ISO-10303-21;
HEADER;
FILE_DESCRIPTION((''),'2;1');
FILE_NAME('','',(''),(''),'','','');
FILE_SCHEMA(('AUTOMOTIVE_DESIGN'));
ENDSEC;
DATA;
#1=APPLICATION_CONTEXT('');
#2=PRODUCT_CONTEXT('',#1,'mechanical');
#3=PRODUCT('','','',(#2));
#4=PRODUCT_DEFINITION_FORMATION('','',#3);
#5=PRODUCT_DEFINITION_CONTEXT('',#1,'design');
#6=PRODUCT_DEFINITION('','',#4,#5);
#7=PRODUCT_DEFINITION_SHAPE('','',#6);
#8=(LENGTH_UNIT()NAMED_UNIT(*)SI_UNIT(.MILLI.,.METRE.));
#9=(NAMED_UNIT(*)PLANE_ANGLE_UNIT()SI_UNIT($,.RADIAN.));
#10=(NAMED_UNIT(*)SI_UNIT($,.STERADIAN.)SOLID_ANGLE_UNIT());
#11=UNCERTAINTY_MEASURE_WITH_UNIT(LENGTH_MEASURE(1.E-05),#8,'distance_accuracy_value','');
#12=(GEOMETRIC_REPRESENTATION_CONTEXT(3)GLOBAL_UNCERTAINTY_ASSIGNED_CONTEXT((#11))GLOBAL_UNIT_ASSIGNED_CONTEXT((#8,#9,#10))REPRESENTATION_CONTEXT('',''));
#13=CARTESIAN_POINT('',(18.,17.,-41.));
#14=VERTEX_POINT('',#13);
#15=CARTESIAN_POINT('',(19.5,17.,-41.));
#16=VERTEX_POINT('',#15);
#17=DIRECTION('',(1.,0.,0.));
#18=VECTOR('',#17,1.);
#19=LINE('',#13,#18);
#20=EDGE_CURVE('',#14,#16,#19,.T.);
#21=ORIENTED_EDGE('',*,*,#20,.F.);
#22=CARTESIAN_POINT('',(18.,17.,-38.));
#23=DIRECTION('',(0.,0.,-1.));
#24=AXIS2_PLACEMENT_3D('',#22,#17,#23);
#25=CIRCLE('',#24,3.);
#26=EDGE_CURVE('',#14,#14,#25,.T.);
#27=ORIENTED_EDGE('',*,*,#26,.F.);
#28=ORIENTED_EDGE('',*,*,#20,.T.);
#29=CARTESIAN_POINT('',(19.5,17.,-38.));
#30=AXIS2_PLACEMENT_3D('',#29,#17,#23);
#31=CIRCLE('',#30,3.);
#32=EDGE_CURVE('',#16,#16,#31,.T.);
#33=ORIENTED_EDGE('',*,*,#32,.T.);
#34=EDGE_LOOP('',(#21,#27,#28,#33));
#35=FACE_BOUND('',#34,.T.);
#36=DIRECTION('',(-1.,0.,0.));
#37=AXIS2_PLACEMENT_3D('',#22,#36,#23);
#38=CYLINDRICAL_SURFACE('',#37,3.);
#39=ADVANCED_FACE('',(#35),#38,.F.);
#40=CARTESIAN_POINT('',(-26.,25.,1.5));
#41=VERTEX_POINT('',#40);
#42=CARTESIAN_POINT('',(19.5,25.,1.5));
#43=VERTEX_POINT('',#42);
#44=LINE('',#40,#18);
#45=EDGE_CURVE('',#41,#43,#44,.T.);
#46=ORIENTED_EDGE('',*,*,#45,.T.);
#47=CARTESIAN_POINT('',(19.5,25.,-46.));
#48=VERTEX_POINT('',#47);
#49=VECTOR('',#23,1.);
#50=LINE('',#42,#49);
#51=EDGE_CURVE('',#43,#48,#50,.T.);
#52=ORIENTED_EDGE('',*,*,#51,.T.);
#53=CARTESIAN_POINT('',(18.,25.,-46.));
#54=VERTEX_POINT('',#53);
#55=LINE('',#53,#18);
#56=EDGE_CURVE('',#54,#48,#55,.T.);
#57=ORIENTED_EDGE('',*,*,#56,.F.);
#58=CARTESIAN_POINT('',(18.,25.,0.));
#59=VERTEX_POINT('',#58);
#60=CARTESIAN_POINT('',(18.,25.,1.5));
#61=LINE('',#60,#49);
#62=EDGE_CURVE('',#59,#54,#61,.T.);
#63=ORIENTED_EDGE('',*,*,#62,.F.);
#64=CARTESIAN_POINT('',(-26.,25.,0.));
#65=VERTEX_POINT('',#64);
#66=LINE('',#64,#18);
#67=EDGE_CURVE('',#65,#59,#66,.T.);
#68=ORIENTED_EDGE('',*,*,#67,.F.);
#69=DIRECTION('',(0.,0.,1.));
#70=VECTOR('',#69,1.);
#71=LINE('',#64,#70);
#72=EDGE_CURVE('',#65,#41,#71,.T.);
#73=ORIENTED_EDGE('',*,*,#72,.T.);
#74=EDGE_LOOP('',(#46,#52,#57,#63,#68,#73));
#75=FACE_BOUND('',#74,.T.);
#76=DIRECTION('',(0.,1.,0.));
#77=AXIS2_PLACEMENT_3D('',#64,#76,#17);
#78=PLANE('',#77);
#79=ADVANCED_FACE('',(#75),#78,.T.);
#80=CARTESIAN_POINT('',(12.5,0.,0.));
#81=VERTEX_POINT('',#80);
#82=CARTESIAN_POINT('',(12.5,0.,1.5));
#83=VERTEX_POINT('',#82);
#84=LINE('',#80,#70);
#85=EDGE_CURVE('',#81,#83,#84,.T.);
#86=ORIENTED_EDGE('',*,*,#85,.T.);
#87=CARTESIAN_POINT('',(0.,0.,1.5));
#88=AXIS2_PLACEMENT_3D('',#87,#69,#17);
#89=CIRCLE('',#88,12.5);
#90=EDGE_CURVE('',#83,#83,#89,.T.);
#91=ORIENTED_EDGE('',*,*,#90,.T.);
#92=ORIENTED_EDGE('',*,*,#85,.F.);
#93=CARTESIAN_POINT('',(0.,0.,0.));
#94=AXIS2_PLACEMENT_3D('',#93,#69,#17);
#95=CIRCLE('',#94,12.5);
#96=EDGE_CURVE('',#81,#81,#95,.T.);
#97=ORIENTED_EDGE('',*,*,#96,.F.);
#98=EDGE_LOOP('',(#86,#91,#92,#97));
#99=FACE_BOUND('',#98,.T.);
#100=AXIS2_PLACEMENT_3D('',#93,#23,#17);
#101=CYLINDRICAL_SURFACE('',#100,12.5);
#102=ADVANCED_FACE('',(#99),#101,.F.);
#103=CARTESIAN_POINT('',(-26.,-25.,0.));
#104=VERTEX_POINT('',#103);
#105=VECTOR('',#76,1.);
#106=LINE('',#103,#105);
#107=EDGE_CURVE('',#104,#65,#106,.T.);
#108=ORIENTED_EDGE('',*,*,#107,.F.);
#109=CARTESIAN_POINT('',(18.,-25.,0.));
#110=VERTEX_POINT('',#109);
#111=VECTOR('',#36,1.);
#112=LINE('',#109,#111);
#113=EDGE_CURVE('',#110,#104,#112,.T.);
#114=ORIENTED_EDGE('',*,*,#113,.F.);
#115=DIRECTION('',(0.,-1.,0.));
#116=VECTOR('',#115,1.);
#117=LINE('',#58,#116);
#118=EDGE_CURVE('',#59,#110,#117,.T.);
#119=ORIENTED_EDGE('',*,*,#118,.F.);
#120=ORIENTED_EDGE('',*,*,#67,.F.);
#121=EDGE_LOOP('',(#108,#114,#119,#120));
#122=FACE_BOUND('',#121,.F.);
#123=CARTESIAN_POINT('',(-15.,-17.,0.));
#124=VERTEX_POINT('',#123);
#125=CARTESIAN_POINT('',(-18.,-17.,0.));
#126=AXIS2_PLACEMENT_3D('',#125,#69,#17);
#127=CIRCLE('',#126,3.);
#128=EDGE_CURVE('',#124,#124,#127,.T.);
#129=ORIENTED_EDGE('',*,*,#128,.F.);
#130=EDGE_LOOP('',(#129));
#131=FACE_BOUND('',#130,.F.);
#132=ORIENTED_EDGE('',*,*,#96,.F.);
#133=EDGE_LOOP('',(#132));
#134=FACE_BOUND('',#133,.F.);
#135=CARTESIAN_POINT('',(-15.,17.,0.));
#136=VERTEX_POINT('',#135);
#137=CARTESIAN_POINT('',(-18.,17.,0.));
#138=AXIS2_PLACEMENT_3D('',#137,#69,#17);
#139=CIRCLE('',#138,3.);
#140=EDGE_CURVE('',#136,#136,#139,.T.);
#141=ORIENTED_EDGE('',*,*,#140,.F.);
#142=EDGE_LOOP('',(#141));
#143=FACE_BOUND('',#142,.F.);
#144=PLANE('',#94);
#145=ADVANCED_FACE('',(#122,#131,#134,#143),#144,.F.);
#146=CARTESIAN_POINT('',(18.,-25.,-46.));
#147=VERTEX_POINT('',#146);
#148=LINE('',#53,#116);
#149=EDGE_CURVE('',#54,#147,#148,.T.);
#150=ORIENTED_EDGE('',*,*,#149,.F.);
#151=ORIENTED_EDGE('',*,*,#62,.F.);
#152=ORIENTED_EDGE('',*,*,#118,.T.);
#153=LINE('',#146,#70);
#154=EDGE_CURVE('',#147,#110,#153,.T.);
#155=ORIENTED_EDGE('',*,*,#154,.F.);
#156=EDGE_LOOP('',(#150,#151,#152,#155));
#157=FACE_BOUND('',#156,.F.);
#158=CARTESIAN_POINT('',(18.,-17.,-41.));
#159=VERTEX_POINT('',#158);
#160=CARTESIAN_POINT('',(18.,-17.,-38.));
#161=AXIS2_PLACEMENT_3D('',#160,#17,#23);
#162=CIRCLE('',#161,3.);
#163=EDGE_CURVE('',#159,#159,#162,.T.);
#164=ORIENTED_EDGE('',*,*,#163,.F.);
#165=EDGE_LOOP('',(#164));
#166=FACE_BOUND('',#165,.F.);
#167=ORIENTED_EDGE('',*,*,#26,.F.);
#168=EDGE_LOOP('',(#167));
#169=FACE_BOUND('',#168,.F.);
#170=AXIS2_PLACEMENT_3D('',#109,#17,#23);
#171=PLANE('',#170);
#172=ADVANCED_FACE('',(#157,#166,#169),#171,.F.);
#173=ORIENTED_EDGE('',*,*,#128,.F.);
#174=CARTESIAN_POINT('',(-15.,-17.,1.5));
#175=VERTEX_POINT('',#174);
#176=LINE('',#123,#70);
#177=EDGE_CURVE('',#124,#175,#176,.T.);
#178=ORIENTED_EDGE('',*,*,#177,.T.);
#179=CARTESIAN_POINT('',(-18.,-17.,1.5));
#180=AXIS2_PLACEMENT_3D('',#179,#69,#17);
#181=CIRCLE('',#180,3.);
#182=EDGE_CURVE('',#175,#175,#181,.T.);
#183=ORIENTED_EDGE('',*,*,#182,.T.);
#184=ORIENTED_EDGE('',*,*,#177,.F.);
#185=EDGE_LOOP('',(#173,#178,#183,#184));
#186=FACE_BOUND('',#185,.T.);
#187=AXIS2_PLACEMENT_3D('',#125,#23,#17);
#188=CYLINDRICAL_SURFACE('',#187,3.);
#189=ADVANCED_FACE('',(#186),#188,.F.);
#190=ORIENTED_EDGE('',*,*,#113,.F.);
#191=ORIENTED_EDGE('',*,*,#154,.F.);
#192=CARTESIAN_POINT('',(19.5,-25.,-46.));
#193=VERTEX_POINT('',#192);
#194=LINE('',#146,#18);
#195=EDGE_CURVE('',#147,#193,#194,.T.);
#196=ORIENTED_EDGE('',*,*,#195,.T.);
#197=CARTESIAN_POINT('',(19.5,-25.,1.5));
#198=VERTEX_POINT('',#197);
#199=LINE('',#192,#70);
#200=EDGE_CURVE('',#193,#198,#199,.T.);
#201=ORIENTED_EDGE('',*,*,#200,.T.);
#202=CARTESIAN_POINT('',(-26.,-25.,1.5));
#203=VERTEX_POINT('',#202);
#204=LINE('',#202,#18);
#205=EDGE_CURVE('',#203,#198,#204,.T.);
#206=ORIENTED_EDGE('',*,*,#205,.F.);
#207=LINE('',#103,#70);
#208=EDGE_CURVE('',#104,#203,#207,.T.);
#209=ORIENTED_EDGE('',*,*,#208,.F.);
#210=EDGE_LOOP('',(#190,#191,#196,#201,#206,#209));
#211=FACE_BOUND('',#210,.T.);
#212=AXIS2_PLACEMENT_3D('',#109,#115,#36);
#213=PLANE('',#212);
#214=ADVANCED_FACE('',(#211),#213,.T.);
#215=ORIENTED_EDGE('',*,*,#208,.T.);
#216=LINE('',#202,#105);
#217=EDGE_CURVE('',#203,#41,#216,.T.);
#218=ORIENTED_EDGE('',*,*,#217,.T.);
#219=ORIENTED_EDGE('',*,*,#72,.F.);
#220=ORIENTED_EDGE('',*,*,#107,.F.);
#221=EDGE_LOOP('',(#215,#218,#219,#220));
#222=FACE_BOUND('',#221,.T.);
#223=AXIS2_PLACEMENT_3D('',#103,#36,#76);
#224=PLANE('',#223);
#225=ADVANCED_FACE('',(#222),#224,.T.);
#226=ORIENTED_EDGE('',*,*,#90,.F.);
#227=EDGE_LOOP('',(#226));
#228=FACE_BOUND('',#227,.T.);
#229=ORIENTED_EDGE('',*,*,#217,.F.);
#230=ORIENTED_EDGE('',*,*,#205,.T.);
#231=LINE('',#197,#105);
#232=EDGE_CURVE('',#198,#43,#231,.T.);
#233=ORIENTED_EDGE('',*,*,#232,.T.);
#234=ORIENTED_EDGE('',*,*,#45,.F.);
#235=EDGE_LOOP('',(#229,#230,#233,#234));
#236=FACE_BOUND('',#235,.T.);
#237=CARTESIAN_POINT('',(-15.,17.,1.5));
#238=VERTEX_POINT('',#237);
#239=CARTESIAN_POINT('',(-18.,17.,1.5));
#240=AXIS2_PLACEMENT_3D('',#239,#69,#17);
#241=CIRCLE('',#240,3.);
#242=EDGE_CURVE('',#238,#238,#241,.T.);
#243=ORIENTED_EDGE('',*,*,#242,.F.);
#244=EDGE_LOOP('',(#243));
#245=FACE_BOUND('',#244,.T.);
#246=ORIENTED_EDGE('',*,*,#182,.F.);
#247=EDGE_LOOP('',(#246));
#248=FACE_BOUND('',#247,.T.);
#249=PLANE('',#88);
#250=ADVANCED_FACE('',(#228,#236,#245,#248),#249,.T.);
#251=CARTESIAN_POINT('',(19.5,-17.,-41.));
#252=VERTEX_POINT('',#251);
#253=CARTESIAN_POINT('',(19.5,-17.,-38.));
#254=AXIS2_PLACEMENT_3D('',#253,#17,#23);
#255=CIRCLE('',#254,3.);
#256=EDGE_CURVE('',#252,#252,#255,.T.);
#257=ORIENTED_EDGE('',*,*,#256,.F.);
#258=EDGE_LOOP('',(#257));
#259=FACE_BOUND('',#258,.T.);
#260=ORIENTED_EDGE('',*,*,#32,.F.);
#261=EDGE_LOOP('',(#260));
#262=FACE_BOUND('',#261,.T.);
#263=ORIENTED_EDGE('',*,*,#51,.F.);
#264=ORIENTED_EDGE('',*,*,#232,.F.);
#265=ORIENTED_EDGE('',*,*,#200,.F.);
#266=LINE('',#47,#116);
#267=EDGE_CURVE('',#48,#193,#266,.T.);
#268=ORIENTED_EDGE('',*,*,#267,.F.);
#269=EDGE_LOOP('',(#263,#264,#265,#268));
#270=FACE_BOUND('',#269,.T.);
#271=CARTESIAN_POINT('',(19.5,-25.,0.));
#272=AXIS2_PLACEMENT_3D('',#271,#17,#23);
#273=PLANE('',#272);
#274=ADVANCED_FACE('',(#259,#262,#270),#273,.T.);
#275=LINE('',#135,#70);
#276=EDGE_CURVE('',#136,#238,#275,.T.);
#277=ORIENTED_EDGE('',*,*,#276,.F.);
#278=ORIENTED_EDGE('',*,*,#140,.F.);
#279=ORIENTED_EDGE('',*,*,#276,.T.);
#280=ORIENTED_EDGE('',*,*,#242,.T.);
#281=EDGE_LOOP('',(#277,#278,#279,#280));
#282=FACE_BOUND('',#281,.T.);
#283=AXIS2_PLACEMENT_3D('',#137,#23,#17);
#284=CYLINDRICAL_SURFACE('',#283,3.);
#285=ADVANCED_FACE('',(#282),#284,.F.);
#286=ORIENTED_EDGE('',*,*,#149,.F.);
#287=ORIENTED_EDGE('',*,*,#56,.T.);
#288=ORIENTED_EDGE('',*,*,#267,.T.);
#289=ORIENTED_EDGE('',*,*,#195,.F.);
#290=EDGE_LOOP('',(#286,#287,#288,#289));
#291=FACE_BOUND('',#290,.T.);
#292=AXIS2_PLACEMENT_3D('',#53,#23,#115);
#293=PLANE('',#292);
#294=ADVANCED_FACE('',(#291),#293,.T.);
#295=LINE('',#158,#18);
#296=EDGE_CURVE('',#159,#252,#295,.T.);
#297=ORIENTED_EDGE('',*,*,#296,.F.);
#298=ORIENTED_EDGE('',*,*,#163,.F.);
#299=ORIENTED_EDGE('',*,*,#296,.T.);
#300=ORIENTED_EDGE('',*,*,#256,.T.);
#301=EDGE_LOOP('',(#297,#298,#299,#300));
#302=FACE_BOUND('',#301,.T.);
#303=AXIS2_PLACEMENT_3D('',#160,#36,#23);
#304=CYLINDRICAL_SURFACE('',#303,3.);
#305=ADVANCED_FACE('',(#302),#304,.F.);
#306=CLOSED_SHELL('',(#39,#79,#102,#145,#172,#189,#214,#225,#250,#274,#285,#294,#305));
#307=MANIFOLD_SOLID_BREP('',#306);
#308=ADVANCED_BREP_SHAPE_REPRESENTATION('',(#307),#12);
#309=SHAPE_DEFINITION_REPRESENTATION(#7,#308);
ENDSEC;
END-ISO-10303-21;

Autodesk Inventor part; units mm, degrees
ref_plane "YZ Plane" through (0, 0, 0) normal (1, 0, 0) x (0, 1, 0)
ref_plane "XZ Plane" through (0, 0, 0) normal (0, 1, 0) x (-1, 0, 0)
ref_plane "XY Plane" through (0, 0, 0) normal (0, 0, 1) x (1, 0, 0)
sketch "Esboço1" plane through (0, 0, 0) normal (0, 0, 1) x (1, 0, 0)
  circle A0 centre (0, 0) radius 12.5
  line L0 (0, 0) -> (18, 0) construction
  line L1 (0, 0) -> (-26, 0) construction
  line L2 (0, 0) -> (0, 25) construction
  line L3 (0, 0) -> (0, -25) construction
  line L4 (-26, 25) -> (18, 25)
  line L5 (18, 25) -> (18, -25)
  line L6 (18, -25) -> (-26, -25)
  line L7 (-26, -25) -> (-26, 25)
  line L8 (-26, 25) -> (-18, 25) construction
  line L9 (-18, 25) -> (-18, 17) construction
  circle A1 centre (-18, 17) radius 3
  line L10 (-26, -25) -> (-18, -25) construction
  line L11 (-18, -25) -> (-18, -17) construction
  circle A2 centre (-18, -17) radius 3
  dimension "d0" = 25
  dimension "d1" = 18
  dimension "d2" = 26
  dimension "d3" = 25
  dimension "d4" = 25
  dimension "d5" = 8
  dimension "d6" = 8
  dimension "d7" = 6
  dimension "d8" = 8
  dimension "d9" = 8
  dimension "d10" = 6
extrude "Extrusão1" add sketch "Esboço1" along normal blind 1.5
sketch "Esboço2" plane through (18, -25, 0) normal (1, 0, 0) x (0, 0, -1)
  line L0 (-1.5, 50) -> (46, 50)
  line L1 (46, 50) -> (46, 0)
  line L2 (46, 0) -> (-1.5, 0)
  line L3 (-1.5, 0) -> (-1.5, 50)
  line L4 (46, 50) -> (38, 50) construction
  line L5 (38, 50) -> (38, 42) construction
  circle A0 centre (38, 42) radius 3
  line L6 (46, 0) -> (38, 0) construction
  line L7 (38, 0) -> (38, 8) construction
  circle A1 centre (38, 8) radius 3
  point P0 (0, 25)
  dimension "d13" = 47.5
  dimension "d14" = 50
  dimension "d15" = 8
  dimension "d16" = 8
  dimension "d17" = 6
  dimension "d18" = 8
  dimension "d19" = 8
  dimension "d20" = 6
extrude "Extrusão2" add sketch "Esboço2" along normal blind 1.5
properties part number "ks dianteiro F" material "Aço cromado"
